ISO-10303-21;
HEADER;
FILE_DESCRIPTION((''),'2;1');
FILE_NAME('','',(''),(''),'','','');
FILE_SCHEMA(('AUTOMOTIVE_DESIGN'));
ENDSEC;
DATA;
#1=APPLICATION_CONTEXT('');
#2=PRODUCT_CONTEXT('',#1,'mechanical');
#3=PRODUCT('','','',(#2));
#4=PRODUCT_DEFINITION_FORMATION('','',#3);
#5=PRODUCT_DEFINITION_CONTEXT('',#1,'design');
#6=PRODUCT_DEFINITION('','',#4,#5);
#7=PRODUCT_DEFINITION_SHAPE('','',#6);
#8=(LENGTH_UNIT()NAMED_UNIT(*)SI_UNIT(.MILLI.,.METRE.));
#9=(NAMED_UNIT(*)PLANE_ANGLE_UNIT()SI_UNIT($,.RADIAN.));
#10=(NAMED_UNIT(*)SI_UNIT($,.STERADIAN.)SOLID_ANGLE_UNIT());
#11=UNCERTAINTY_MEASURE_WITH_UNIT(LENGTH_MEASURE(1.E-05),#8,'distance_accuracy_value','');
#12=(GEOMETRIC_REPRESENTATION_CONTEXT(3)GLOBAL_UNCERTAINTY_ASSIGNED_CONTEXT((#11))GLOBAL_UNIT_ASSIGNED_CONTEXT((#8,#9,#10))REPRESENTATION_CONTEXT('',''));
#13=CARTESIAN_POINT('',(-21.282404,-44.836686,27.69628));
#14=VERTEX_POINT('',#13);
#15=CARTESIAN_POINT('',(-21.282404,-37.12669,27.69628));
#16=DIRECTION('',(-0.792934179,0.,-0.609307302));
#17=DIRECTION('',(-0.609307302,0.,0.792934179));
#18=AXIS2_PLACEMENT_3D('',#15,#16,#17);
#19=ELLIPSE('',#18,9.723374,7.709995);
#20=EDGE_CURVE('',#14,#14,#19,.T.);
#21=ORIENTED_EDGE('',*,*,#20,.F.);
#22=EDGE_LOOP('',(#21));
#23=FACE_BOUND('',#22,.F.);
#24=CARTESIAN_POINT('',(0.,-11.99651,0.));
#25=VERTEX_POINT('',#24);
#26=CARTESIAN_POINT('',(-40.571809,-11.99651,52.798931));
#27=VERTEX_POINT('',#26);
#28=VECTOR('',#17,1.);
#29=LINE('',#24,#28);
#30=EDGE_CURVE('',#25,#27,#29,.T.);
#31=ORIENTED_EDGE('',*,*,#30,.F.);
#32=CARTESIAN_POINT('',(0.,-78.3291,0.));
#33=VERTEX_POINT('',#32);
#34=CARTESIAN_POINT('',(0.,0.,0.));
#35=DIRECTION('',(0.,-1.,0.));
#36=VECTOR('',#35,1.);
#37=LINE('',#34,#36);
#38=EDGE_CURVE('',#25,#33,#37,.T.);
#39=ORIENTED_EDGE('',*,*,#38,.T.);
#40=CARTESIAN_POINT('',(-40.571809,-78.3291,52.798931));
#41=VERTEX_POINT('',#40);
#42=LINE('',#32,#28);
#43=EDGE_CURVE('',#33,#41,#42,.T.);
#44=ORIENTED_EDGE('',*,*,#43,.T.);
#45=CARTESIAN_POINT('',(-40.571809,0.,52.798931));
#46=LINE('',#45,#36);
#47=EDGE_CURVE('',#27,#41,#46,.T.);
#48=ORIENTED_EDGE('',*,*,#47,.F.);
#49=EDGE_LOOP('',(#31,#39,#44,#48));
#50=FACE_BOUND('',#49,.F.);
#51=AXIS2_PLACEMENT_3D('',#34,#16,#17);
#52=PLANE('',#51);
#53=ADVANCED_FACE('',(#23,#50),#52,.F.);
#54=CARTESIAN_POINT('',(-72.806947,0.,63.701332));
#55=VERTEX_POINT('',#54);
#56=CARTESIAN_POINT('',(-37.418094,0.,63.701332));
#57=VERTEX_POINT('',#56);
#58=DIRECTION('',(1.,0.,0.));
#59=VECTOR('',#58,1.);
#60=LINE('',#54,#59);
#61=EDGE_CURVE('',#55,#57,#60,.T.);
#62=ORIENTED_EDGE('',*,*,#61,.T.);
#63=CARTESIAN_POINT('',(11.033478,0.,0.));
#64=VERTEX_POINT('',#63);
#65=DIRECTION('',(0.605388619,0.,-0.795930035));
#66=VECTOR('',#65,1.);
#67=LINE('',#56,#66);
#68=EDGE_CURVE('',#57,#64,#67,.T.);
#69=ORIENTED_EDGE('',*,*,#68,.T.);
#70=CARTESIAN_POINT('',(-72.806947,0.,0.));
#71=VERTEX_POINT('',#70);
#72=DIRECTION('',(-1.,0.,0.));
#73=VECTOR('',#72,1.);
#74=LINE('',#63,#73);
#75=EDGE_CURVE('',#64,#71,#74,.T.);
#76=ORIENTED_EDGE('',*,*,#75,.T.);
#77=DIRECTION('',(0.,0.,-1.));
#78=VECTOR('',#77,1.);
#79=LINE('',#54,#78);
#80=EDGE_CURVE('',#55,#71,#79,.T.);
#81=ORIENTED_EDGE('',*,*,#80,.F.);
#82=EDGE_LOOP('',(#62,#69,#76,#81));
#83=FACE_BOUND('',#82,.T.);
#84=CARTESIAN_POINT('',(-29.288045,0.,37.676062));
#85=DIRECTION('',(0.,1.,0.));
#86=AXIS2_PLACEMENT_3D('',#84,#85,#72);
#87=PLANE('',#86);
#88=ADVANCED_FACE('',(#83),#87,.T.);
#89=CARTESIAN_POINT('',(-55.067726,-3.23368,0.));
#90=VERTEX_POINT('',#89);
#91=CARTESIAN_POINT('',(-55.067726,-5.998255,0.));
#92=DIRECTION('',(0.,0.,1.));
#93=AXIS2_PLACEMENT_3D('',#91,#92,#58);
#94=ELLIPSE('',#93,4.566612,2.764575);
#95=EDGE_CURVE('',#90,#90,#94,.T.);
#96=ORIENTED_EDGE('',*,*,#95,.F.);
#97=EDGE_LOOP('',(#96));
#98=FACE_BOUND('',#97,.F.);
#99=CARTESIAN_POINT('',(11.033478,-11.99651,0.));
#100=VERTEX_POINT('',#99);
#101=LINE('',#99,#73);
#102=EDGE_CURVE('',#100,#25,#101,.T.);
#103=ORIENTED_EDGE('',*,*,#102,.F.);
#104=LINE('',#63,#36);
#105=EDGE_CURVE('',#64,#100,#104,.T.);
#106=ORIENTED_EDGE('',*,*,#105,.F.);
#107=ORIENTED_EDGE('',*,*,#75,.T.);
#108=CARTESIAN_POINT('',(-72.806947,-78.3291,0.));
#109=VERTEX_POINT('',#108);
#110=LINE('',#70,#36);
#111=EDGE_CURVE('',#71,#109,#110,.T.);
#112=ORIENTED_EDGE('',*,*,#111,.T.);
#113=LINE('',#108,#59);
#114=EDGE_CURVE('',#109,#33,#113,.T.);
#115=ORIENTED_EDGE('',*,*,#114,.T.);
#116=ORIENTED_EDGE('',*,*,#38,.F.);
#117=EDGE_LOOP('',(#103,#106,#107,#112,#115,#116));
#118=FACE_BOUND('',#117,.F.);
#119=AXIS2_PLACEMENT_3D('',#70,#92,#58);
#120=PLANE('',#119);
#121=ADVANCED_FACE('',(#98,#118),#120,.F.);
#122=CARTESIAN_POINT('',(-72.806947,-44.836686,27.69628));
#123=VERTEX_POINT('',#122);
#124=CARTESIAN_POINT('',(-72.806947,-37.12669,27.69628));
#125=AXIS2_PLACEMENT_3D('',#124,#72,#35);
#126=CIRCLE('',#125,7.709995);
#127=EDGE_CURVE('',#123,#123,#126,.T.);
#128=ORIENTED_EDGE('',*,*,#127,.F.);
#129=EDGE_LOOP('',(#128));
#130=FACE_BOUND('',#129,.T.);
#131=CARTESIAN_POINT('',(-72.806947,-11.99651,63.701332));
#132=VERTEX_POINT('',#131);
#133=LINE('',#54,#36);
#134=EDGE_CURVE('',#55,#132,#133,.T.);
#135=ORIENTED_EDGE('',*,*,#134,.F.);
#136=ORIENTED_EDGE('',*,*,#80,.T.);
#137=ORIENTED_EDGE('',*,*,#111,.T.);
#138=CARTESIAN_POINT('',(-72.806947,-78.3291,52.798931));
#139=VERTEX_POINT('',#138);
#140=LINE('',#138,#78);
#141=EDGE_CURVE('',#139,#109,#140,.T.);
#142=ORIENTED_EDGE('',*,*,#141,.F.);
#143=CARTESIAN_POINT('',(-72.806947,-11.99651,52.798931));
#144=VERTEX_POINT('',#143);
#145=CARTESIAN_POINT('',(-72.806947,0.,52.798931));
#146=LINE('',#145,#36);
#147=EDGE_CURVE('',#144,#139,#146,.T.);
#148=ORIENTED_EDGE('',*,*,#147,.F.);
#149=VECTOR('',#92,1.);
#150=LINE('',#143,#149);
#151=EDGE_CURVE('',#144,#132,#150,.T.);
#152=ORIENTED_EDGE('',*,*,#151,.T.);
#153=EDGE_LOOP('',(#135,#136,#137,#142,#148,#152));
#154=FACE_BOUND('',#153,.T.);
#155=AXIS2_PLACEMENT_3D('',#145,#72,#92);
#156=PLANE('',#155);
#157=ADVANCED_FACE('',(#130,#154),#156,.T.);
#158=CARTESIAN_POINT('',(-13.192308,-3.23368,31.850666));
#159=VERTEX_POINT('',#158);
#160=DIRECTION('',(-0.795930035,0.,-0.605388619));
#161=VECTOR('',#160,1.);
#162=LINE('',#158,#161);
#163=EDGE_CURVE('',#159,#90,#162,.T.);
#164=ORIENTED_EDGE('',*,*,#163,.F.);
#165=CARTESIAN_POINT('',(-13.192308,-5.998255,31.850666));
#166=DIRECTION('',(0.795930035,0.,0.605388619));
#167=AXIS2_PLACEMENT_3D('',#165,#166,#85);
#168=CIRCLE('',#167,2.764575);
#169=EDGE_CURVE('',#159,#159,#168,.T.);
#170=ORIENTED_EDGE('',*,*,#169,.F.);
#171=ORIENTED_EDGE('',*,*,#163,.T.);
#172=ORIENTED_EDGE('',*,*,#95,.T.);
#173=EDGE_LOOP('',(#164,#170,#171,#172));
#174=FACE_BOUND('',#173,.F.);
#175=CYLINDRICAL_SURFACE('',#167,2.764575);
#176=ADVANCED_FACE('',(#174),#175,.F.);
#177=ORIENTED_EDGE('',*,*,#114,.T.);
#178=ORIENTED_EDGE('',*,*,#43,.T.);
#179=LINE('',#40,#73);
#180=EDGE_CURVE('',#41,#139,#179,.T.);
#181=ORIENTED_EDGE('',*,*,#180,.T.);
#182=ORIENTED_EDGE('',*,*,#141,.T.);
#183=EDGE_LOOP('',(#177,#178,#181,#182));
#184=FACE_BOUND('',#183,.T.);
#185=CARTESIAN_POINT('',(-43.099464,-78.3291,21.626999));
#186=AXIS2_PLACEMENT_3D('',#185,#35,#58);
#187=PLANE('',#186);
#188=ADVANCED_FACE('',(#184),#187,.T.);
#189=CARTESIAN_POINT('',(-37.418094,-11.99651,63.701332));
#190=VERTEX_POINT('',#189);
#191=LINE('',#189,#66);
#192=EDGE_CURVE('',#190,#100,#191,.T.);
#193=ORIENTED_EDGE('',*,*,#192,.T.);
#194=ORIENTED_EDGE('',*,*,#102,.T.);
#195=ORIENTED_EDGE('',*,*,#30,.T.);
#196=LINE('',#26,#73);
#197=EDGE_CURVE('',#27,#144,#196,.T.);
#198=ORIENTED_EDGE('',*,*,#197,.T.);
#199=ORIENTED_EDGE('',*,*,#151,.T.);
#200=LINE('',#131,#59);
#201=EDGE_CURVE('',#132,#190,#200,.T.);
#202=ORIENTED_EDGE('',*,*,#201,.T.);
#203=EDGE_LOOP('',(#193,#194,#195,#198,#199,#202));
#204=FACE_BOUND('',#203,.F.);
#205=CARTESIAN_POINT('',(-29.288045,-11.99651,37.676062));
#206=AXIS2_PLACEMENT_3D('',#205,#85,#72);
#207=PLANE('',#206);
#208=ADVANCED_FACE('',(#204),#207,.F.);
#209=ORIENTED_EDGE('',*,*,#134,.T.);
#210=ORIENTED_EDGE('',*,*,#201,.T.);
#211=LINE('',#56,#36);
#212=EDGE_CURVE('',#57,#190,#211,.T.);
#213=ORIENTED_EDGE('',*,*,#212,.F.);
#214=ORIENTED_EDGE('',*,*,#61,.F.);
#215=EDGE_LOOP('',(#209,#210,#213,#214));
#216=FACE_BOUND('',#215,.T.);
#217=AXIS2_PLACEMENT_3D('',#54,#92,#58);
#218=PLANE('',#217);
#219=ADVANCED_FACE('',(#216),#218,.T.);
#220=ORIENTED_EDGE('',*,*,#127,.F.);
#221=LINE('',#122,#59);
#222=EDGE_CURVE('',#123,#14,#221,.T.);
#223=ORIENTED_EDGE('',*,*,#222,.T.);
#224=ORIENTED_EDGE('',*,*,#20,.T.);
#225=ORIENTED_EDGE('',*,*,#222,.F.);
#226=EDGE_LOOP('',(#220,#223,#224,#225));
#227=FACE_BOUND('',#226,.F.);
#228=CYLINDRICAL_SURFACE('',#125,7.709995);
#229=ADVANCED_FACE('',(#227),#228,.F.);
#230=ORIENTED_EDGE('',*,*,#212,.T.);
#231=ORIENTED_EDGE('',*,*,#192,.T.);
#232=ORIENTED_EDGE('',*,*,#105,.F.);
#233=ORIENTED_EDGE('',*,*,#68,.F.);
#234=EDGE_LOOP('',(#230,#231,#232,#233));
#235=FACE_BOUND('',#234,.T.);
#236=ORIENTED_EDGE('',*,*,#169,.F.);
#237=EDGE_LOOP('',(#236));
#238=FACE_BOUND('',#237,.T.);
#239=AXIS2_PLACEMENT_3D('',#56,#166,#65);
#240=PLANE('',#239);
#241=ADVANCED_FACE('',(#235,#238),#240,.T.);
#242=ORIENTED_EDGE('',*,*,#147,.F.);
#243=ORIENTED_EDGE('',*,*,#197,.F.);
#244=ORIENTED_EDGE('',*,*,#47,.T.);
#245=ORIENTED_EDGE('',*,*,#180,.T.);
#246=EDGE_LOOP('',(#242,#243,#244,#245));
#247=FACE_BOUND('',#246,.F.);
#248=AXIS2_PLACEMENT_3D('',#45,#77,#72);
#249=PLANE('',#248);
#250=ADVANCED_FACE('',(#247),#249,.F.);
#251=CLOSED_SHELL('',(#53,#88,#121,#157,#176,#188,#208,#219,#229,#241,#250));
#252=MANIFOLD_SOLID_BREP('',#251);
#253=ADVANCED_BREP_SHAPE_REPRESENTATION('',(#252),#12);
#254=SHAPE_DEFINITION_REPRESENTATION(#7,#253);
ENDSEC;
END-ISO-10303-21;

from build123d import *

# Parameters (mm, degrees)
F1_DEPTH = 78.3291
F2_R     = 7.7099954694
F3_DEPTH = 68.99092
F5_DEPTH = 11.99651
F6_R     = 2.7645751725
F7_DEPTH = 66.7321124816


with BuildPart() as f1:
    # F0 (on Front) → F1 (new body)
    with BuildSketch(Plane.XZ):
        Polygon((-72.8069469333, 0), (0, 0), (-40.571808815, 52.7989305556), (-72.8069469333, 52.7989305556), align=None)
    extrude(amount=F1_DEPTH)

    # F2 (on face) → F3 (cut)
    with BuildSketch(Plane(origin=(-72.8069469333, 0, 0), x_dir=(0, -1, 0), z_dir=(-1, 0, 0))):
        with Locations((37.1266901493, 27.6962798089)):
            Circle(F2_R)
    extrude(amount=-F3_DEPTH, mode=Mode.SUBTRACT)

    # F4 (on face) → F5 (join)
    with BuildSketch(Plane(origin=(0, 0, 0), x_dir=(-1, 0, 0), z_dir=(0, 1, 0))):
        Polygon((0, 0), (40.571808815, 52.7989305556), (72.8069469333, 52.7989305556), (72.8069469333, 63.7013316154), (37.4180935323, 63.7013316154), (-11.033478193, 0), align=None)
    extrude(amount=-F5_DEPTH)

    # F6 (on face) → F7 (cut, through all)
    with BuildSketch(Plane(origin=(6.9897594118, 0, 5.3164481949), x_dir=(0, 1, 0), z_dir=(0.7959300347, 0, 0.6053886188))):
        with Locations((-5.998255, 33.3373744617)):
            Circle(F6_R)
    extrude(amount=-F7_DEPTH, mode=Mode.SUBTRACT)


solid = f1.part
